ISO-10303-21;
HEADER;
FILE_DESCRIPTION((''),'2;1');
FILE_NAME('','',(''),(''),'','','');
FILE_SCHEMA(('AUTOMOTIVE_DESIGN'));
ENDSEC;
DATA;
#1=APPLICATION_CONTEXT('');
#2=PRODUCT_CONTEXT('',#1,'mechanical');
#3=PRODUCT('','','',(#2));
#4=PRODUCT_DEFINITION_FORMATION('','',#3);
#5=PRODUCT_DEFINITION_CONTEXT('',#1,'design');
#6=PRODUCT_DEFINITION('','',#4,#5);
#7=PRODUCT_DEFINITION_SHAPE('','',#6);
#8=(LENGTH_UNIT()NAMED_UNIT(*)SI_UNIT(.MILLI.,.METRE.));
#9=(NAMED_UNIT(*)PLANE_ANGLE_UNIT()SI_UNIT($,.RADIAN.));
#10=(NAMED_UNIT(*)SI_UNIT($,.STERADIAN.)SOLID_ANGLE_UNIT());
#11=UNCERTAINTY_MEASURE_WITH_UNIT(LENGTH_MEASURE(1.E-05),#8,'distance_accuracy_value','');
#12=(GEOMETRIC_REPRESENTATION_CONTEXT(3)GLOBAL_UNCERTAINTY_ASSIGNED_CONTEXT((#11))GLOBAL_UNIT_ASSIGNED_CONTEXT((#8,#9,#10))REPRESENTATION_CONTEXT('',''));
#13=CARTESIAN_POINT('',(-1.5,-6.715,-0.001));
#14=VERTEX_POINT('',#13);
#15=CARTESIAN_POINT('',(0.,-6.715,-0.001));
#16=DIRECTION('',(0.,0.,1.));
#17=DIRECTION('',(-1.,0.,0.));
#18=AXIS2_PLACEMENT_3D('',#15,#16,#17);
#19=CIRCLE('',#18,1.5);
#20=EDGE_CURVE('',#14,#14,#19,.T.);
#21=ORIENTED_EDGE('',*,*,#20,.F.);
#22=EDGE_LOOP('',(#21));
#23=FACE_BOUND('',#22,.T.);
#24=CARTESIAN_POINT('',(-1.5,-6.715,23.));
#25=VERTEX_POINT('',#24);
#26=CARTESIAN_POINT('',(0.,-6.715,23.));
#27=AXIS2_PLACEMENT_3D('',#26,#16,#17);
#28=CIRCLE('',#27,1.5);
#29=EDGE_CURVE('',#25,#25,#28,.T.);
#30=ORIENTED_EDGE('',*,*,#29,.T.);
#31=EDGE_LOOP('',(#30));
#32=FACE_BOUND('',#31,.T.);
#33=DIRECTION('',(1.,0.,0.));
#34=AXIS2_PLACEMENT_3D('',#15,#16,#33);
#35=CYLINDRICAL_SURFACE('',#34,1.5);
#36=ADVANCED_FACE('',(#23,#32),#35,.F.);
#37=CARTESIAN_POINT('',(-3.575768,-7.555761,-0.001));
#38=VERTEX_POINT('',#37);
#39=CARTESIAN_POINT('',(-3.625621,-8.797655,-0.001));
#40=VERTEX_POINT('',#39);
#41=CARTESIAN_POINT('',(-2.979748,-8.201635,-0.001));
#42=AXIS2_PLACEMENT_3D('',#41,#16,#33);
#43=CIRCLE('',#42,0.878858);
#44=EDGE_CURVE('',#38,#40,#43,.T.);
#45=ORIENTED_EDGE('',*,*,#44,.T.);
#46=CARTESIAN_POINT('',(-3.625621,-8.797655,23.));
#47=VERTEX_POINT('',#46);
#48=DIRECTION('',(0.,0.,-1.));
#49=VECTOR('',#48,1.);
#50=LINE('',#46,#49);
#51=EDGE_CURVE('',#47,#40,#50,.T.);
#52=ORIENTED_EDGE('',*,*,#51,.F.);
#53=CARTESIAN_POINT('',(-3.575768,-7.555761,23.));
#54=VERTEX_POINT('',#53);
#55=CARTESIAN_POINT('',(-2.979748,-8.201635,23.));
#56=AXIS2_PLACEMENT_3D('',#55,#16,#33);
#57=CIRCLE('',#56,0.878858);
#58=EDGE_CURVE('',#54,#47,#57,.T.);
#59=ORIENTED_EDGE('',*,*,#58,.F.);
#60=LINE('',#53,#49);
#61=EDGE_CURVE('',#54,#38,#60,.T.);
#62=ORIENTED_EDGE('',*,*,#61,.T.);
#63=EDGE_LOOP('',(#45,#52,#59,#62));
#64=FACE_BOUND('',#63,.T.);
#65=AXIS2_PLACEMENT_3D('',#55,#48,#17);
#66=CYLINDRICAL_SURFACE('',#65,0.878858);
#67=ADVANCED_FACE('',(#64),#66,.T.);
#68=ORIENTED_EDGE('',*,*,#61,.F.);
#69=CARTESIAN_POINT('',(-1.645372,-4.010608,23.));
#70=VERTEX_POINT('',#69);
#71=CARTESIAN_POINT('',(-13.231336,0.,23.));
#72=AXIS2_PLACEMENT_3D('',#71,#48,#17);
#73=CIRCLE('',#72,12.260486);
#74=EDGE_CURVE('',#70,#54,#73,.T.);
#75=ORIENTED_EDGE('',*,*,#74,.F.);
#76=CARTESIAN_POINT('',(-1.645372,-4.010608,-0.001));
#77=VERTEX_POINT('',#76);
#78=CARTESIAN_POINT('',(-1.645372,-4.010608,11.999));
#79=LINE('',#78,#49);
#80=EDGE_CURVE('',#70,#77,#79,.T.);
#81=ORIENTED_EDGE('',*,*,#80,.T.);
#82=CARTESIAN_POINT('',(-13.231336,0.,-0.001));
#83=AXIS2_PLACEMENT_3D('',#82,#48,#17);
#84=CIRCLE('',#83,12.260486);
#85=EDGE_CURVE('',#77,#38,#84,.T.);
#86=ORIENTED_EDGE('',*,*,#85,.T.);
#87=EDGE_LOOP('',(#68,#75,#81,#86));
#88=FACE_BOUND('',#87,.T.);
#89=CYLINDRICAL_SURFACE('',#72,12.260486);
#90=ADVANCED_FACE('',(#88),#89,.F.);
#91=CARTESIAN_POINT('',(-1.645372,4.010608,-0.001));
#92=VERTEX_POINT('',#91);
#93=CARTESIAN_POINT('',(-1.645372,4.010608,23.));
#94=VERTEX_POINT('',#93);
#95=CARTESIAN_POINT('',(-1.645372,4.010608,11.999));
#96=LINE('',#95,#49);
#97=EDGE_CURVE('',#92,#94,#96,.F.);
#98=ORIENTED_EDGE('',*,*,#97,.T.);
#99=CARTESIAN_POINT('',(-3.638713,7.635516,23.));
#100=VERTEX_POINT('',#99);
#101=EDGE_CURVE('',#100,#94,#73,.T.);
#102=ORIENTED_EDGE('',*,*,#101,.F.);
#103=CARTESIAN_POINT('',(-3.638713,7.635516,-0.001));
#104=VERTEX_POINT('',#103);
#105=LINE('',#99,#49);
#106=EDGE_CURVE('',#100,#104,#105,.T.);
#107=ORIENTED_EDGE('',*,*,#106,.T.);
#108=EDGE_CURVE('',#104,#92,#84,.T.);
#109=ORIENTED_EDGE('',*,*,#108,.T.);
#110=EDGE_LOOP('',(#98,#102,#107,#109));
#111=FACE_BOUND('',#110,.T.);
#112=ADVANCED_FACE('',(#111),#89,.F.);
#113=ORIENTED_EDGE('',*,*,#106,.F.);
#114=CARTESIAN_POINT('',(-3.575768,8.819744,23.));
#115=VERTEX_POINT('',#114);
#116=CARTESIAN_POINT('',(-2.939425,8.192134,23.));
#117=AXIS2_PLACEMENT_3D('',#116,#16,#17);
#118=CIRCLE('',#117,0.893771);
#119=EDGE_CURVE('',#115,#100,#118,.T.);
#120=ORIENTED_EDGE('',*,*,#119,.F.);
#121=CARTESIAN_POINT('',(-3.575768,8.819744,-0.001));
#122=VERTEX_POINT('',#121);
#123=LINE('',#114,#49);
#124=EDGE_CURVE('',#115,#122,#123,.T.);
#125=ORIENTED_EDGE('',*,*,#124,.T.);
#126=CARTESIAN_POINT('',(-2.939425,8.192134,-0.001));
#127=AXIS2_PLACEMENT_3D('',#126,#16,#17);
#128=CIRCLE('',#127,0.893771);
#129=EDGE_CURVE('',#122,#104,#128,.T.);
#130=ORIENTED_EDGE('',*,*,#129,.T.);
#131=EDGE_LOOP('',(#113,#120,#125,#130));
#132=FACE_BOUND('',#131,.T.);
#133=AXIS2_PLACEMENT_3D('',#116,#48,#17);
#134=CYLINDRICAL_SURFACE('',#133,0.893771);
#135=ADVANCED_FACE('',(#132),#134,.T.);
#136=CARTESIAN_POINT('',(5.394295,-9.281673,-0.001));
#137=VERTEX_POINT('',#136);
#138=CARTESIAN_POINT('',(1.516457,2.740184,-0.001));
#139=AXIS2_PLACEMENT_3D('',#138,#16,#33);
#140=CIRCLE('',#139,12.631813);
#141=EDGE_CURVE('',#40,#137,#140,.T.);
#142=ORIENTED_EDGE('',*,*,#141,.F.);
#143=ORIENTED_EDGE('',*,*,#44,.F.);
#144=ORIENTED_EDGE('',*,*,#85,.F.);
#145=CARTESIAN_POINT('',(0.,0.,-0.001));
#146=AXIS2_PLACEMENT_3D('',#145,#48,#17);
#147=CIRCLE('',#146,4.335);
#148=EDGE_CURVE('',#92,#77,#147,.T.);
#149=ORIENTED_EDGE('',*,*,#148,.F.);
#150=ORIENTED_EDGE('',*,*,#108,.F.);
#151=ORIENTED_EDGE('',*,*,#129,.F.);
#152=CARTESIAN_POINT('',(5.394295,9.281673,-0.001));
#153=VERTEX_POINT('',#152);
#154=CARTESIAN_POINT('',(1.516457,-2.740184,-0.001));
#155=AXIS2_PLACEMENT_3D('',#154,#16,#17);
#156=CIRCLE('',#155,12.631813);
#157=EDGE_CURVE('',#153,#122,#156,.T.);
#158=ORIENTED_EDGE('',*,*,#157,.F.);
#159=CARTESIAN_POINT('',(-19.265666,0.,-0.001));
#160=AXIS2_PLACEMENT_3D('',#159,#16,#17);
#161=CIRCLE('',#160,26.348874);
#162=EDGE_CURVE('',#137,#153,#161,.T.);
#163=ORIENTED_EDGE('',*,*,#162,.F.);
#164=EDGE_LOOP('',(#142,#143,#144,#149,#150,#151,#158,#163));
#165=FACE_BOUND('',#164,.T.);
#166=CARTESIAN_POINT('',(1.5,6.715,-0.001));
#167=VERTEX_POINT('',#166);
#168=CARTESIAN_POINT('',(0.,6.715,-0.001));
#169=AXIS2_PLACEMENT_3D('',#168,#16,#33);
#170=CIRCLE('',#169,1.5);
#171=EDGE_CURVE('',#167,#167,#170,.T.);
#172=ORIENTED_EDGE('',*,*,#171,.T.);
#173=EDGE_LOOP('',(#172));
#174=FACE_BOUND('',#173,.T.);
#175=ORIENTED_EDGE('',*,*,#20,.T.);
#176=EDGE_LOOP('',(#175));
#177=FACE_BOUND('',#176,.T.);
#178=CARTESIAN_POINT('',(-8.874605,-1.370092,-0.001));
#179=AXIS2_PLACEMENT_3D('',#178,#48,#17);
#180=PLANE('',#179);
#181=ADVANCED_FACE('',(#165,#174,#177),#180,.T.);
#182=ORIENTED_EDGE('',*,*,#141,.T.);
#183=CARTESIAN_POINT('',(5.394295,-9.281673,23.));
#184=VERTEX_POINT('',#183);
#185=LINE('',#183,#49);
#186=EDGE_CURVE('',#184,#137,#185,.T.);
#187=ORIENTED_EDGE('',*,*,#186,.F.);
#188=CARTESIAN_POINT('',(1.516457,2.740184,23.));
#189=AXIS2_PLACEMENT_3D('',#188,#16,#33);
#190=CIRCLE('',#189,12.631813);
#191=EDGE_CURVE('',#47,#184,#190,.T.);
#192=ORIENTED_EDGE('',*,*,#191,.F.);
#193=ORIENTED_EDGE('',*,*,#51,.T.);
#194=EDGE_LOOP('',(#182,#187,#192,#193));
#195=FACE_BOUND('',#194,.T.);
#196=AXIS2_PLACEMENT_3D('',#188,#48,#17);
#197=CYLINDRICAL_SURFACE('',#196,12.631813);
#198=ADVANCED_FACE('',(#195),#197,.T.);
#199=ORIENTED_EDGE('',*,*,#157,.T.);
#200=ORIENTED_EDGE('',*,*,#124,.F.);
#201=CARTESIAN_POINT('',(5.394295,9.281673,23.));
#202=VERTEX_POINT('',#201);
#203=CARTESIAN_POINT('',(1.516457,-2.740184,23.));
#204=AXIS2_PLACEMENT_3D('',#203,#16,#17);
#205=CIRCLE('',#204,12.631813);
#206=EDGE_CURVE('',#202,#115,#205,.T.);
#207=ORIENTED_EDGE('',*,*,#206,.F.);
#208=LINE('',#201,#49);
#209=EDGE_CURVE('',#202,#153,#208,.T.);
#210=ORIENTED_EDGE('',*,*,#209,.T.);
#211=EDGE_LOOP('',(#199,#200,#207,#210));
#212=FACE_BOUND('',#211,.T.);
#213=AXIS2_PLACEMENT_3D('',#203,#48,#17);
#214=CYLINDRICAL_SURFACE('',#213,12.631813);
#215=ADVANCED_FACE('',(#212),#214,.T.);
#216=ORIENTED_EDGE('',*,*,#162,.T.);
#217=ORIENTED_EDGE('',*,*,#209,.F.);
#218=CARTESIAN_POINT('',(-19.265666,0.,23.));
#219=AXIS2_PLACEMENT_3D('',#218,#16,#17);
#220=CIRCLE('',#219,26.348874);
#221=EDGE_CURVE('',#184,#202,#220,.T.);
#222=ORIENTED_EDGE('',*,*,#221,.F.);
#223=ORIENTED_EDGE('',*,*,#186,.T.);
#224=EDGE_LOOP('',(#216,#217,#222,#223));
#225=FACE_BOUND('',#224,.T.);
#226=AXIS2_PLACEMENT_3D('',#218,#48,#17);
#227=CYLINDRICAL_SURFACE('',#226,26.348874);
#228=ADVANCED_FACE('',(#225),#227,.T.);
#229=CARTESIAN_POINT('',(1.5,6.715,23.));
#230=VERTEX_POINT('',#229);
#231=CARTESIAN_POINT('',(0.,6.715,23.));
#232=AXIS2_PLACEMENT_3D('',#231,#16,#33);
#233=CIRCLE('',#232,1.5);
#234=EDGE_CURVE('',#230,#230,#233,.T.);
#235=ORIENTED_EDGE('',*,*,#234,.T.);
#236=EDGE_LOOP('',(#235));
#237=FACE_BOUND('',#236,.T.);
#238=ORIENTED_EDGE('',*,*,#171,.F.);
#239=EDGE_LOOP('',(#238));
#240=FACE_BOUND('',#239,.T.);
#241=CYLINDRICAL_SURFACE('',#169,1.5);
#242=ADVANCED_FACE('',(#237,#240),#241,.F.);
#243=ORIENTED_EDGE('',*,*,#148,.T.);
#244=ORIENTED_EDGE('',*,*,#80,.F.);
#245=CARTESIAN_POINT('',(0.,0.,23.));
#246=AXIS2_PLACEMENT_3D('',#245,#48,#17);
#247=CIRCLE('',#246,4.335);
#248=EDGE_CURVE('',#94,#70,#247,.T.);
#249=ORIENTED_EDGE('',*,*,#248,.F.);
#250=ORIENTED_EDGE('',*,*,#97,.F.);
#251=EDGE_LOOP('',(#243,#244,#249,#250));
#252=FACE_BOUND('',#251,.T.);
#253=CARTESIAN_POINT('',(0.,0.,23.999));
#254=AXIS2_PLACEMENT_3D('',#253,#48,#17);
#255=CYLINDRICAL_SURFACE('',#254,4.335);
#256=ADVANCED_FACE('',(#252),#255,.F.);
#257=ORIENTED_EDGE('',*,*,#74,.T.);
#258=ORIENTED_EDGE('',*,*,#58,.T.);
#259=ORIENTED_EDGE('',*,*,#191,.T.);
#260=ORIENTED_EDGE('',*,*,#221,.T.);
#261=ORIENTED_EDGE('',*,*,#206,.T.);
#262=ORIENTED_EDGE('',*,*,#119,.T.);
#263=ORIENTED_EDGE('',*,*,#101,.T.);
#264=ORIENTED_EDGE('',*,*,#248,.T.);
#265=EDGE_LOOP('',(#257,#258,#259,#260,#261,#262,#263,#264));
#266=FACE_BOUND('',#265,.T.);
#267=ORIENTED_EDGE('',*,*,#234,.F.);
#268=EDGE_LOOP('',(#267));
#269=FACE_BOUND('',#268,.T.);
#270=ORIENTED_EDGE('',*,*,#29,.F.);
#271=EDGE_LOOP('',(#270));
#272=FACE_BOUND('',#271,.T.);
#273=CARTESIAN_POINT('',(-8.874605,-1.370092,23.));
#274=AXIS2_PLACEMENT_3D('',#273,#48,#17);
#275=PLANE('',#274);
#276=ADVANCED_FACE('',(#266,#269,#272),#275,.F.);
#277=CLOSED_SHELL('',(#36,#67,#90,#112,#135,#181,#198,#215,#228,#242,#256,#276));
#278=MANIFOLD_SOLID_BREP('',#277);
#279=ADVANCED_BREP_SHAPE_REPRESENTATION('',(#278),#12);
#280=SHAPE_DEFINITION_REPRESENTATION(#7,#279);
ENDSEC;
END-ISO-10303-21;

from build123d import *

# Parameters (mm, degrees)
EXTRUDE1_DEPTH      = 23
EXTRUDE1_DEPTH_BACK = 0.001
SKETCH3_R           = 1.5
CUT_EXTRUDE1_DEPTH  = 27.020417719
SKETCH5_R           = 4.335
CUT_EXTRUDE2_DEPTH  = 24


with BuildPart() as part:
    # Sketch1 → Extrude1 (new, two sides: drawn at the far end of the back side and taken through both)
    with BuildSketch(Plane.XY.offset(-EXTRUDE1_DEPTH_BACK)):
        with BuildLine():
            ThreePointArc((5.394294709, 9.281673418), (7.083207262, 0), (5.394294709, -9.281673418))
            ThreePointArc((5.394294709, -9.281673418), (0.839593343, -9.873480825), (-3.625620963, -8.797654747))
            ThreePointArc((-3.625620963, -8.797654747), (-3.857898862, -8.166383103), (-3.57576768, -7.555761366))
            ThreePointArc((-3.57576768, -7.555761366), (-0.970954643, 0.05080099), (-3.638712866, 7.635516404))
            ThreePointArc((-3.638712866, 7.635516404), (-3.831936153, 8.239573474), (-3.57576768, 8.819744049))
            ThreePointArc((-3.57576768, 8.819744049), (0.866819678, 9.874912356), (5.394294709, 9.281673418))
        make_face()
    extrude(amount=EXTRUDE1_DEPTH + EXTRUDE1_DEPTH_BACK)

    # Sketch3 → Cut-Extrude1 (cut, through all)
    with BuildSketch(Plane.XY.offset(23)):
        with Locations((0, 6.715)):
            Circle(SKETCH3_R)
        with Locations(Location((0, -6.715, 0), (0, 0, 180))):
            Circle(SKETCH3_R)
    extrude(amount=-CUT_EXTRUDE1_DEPTH, mode=Mode.SUBTRACT)

    # Sketch5 → Cut-Extrude2 (cut)
    with BuildSketch(Plane(origin=(0, 0, -0.001), x_dir=(-1, 0, 0), z_dir=(0, 0, -1))):
        Circle(SKETCH5_R)
    extrude(amount=-CUT_EXTRUDE2_DEPTH, mode=Mode.SUBTRACT)


solid = part.part
